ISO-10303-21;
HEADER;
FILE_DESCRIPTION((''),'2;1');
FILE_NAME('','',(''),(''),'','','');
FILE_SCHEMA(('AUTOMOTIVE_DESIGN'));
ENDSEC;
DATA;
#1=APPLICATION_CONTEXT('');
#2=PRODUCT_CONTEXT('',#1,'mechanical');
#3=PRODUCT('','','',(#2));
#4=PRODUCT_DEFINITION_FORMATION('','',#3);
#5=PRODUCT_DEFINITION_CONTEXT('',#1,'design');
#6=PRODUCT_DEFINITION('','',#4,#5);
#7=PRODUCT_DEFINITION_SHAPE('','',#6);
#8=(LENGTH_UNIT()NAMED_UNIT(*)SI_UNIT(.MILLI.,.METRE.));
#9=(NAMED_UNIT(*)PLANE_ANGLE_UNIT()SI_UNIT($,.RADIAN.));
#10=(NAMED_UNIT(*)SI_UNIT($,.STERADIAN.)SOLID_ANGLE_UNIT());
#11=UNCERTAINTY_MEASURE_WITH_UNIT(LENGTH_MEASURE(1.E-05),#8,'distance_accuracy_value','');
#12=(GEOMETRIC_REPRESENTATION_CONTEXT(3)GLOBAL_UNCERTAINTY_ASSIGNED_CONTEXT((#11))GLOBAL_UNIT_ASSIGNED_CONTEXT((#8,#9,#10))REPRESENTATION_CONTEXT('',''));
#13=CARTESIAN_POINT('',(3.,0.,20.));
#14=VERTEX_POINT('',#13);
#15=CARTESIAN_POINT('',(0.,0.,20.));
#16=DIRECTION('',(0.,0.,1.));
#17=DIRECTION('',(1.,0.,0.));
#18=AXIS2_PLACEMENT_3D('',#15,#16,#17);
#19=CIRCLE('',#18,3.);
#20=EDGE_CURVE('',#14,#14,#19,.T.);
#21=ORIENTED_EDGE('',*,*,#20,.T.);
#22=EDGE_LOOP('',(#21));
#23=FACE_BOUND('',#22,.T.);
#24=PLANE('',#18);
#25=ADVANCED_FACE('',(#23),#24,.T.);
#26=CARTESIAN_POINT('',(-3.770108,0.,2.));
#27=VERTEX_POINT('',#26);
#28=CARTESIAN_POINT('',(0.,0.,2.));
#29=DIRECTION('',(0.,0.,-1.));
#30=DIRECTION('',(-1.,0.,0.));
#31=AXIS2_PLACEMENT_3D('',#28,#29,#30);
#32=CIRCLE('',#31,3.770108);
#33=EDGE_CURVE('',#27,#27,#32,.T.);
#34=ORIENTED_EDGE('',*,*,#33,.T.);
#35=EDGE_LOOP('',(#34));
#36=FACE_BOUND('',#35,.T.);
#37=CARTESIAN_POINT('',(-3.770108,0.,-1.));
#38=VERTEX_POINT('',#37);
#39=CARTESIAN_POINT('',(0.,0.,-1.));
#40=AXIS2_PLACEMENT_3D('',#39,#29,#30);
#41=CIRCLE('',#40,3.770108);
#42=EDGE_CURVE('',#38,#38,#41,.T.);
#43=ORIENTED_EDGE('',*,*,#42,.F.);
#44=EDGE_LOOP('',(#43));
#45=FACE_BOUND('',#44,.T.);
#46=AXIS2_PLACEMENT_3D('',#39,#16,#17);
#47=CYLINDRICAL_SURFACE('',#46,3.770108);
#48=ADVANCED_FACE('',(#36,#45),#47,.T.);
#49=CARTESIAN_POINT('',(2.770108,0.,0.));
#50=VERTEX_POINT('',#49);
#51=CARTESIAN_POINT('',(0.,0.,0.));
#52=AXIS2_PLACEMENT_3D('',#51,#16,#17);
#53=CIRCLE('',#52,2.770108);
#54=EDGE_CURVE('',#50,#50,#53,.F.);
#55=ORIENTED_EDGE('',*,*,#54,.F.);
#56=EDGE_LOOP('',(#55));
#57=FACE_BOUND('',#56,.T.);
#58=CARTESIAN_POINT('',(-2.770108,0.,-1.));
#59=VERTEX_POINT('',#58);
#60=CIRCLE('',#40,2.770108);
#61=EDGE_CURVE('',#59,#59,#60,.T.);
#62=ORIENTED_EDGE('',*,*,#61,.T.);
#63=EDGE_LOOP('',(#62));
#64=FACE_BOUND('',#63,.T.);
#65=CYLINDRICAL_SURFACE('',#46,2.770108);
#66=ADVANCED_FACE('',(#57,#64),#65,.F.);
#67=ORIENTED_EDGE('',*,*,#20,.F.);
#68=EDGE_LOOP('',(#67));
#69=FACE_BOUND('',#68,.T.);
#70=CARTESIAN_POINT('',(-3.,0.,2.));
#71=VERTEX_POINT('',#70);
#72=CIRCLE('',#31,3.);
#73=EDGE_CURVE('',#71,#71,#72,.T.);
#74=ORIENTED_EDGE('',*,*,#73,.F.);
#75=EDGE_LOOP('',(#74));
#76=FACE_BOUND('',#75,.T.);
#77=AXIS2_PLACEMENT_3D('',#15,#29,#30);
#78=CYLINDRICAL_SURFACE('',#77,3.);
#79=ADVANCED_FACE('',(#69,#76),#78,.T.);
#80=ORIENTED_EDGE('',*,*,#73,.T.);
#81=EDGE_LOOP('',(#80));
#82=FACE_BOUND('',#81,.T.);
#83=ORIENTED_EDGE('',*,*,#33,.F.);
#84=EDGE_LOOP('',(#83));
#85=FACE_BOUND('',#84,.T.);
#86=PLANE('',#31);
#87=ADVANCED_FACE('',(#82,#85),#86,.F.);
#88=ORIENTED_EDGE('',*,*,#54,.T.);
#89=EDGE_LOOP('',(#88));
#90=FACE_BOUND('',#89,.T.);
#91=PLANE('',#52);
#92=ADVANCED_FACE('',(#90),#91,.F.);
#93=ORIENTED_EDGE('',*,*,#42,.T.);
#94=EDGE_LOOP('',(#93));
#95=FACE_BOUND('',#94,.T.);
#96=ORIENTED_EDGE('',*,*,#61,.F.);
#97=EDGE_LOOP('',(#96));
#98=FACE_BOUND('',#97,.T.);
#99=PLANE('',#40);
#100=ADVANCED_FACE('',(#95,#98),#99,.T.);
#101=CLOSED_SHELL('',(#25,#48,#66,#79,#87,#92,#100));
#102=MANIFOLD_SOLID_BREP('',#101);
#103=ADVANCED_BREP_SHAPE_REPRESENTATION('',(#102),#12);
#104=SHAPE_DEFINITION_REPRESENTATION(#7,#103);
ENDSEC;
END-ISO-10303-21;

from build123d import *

# Parameters (mm, degrees)
SKETCH1_R                = 3
BOSS_EXTRUDE1_DEPTH      = 20
SKETCH2_R                = 3.770107986
SKETCH2_R_2              = 2.770107986
EXTRUDE_THIN1_DEPTH      = 1
EXTRUDE_THIN1_DEPTH_BACK = 2


with BuildPart() as part:
    # Sketch1 → Boss-Extrude1 (new body)
    with BuildSketch(Plane.XY):
        Circle(SKETCH1_R)
    extrude(amount=BOSS_EXTRUDE1_DEPTH)

    # Sketch2 → Extrude-Thin1 (add, two sides)
    with BuildSketch(Plane(origin=(0, 0, 0), x_dir=(-1, 0, 0), z_dir=(0, 0, -1))) as extrude_thin1_sk:
        Circle(SKETCH2_R)
        Circle(SKETCH2_R_2, mode=Mode.SUBTRACT)
    extrude(amount=EXTRUDE_THIN1_DEPTH)
    extrude(extrude_thin1_sk.sketch, amount=-EXTRUDE_THIN1_DEPTH_BACK)


solid = part.part
